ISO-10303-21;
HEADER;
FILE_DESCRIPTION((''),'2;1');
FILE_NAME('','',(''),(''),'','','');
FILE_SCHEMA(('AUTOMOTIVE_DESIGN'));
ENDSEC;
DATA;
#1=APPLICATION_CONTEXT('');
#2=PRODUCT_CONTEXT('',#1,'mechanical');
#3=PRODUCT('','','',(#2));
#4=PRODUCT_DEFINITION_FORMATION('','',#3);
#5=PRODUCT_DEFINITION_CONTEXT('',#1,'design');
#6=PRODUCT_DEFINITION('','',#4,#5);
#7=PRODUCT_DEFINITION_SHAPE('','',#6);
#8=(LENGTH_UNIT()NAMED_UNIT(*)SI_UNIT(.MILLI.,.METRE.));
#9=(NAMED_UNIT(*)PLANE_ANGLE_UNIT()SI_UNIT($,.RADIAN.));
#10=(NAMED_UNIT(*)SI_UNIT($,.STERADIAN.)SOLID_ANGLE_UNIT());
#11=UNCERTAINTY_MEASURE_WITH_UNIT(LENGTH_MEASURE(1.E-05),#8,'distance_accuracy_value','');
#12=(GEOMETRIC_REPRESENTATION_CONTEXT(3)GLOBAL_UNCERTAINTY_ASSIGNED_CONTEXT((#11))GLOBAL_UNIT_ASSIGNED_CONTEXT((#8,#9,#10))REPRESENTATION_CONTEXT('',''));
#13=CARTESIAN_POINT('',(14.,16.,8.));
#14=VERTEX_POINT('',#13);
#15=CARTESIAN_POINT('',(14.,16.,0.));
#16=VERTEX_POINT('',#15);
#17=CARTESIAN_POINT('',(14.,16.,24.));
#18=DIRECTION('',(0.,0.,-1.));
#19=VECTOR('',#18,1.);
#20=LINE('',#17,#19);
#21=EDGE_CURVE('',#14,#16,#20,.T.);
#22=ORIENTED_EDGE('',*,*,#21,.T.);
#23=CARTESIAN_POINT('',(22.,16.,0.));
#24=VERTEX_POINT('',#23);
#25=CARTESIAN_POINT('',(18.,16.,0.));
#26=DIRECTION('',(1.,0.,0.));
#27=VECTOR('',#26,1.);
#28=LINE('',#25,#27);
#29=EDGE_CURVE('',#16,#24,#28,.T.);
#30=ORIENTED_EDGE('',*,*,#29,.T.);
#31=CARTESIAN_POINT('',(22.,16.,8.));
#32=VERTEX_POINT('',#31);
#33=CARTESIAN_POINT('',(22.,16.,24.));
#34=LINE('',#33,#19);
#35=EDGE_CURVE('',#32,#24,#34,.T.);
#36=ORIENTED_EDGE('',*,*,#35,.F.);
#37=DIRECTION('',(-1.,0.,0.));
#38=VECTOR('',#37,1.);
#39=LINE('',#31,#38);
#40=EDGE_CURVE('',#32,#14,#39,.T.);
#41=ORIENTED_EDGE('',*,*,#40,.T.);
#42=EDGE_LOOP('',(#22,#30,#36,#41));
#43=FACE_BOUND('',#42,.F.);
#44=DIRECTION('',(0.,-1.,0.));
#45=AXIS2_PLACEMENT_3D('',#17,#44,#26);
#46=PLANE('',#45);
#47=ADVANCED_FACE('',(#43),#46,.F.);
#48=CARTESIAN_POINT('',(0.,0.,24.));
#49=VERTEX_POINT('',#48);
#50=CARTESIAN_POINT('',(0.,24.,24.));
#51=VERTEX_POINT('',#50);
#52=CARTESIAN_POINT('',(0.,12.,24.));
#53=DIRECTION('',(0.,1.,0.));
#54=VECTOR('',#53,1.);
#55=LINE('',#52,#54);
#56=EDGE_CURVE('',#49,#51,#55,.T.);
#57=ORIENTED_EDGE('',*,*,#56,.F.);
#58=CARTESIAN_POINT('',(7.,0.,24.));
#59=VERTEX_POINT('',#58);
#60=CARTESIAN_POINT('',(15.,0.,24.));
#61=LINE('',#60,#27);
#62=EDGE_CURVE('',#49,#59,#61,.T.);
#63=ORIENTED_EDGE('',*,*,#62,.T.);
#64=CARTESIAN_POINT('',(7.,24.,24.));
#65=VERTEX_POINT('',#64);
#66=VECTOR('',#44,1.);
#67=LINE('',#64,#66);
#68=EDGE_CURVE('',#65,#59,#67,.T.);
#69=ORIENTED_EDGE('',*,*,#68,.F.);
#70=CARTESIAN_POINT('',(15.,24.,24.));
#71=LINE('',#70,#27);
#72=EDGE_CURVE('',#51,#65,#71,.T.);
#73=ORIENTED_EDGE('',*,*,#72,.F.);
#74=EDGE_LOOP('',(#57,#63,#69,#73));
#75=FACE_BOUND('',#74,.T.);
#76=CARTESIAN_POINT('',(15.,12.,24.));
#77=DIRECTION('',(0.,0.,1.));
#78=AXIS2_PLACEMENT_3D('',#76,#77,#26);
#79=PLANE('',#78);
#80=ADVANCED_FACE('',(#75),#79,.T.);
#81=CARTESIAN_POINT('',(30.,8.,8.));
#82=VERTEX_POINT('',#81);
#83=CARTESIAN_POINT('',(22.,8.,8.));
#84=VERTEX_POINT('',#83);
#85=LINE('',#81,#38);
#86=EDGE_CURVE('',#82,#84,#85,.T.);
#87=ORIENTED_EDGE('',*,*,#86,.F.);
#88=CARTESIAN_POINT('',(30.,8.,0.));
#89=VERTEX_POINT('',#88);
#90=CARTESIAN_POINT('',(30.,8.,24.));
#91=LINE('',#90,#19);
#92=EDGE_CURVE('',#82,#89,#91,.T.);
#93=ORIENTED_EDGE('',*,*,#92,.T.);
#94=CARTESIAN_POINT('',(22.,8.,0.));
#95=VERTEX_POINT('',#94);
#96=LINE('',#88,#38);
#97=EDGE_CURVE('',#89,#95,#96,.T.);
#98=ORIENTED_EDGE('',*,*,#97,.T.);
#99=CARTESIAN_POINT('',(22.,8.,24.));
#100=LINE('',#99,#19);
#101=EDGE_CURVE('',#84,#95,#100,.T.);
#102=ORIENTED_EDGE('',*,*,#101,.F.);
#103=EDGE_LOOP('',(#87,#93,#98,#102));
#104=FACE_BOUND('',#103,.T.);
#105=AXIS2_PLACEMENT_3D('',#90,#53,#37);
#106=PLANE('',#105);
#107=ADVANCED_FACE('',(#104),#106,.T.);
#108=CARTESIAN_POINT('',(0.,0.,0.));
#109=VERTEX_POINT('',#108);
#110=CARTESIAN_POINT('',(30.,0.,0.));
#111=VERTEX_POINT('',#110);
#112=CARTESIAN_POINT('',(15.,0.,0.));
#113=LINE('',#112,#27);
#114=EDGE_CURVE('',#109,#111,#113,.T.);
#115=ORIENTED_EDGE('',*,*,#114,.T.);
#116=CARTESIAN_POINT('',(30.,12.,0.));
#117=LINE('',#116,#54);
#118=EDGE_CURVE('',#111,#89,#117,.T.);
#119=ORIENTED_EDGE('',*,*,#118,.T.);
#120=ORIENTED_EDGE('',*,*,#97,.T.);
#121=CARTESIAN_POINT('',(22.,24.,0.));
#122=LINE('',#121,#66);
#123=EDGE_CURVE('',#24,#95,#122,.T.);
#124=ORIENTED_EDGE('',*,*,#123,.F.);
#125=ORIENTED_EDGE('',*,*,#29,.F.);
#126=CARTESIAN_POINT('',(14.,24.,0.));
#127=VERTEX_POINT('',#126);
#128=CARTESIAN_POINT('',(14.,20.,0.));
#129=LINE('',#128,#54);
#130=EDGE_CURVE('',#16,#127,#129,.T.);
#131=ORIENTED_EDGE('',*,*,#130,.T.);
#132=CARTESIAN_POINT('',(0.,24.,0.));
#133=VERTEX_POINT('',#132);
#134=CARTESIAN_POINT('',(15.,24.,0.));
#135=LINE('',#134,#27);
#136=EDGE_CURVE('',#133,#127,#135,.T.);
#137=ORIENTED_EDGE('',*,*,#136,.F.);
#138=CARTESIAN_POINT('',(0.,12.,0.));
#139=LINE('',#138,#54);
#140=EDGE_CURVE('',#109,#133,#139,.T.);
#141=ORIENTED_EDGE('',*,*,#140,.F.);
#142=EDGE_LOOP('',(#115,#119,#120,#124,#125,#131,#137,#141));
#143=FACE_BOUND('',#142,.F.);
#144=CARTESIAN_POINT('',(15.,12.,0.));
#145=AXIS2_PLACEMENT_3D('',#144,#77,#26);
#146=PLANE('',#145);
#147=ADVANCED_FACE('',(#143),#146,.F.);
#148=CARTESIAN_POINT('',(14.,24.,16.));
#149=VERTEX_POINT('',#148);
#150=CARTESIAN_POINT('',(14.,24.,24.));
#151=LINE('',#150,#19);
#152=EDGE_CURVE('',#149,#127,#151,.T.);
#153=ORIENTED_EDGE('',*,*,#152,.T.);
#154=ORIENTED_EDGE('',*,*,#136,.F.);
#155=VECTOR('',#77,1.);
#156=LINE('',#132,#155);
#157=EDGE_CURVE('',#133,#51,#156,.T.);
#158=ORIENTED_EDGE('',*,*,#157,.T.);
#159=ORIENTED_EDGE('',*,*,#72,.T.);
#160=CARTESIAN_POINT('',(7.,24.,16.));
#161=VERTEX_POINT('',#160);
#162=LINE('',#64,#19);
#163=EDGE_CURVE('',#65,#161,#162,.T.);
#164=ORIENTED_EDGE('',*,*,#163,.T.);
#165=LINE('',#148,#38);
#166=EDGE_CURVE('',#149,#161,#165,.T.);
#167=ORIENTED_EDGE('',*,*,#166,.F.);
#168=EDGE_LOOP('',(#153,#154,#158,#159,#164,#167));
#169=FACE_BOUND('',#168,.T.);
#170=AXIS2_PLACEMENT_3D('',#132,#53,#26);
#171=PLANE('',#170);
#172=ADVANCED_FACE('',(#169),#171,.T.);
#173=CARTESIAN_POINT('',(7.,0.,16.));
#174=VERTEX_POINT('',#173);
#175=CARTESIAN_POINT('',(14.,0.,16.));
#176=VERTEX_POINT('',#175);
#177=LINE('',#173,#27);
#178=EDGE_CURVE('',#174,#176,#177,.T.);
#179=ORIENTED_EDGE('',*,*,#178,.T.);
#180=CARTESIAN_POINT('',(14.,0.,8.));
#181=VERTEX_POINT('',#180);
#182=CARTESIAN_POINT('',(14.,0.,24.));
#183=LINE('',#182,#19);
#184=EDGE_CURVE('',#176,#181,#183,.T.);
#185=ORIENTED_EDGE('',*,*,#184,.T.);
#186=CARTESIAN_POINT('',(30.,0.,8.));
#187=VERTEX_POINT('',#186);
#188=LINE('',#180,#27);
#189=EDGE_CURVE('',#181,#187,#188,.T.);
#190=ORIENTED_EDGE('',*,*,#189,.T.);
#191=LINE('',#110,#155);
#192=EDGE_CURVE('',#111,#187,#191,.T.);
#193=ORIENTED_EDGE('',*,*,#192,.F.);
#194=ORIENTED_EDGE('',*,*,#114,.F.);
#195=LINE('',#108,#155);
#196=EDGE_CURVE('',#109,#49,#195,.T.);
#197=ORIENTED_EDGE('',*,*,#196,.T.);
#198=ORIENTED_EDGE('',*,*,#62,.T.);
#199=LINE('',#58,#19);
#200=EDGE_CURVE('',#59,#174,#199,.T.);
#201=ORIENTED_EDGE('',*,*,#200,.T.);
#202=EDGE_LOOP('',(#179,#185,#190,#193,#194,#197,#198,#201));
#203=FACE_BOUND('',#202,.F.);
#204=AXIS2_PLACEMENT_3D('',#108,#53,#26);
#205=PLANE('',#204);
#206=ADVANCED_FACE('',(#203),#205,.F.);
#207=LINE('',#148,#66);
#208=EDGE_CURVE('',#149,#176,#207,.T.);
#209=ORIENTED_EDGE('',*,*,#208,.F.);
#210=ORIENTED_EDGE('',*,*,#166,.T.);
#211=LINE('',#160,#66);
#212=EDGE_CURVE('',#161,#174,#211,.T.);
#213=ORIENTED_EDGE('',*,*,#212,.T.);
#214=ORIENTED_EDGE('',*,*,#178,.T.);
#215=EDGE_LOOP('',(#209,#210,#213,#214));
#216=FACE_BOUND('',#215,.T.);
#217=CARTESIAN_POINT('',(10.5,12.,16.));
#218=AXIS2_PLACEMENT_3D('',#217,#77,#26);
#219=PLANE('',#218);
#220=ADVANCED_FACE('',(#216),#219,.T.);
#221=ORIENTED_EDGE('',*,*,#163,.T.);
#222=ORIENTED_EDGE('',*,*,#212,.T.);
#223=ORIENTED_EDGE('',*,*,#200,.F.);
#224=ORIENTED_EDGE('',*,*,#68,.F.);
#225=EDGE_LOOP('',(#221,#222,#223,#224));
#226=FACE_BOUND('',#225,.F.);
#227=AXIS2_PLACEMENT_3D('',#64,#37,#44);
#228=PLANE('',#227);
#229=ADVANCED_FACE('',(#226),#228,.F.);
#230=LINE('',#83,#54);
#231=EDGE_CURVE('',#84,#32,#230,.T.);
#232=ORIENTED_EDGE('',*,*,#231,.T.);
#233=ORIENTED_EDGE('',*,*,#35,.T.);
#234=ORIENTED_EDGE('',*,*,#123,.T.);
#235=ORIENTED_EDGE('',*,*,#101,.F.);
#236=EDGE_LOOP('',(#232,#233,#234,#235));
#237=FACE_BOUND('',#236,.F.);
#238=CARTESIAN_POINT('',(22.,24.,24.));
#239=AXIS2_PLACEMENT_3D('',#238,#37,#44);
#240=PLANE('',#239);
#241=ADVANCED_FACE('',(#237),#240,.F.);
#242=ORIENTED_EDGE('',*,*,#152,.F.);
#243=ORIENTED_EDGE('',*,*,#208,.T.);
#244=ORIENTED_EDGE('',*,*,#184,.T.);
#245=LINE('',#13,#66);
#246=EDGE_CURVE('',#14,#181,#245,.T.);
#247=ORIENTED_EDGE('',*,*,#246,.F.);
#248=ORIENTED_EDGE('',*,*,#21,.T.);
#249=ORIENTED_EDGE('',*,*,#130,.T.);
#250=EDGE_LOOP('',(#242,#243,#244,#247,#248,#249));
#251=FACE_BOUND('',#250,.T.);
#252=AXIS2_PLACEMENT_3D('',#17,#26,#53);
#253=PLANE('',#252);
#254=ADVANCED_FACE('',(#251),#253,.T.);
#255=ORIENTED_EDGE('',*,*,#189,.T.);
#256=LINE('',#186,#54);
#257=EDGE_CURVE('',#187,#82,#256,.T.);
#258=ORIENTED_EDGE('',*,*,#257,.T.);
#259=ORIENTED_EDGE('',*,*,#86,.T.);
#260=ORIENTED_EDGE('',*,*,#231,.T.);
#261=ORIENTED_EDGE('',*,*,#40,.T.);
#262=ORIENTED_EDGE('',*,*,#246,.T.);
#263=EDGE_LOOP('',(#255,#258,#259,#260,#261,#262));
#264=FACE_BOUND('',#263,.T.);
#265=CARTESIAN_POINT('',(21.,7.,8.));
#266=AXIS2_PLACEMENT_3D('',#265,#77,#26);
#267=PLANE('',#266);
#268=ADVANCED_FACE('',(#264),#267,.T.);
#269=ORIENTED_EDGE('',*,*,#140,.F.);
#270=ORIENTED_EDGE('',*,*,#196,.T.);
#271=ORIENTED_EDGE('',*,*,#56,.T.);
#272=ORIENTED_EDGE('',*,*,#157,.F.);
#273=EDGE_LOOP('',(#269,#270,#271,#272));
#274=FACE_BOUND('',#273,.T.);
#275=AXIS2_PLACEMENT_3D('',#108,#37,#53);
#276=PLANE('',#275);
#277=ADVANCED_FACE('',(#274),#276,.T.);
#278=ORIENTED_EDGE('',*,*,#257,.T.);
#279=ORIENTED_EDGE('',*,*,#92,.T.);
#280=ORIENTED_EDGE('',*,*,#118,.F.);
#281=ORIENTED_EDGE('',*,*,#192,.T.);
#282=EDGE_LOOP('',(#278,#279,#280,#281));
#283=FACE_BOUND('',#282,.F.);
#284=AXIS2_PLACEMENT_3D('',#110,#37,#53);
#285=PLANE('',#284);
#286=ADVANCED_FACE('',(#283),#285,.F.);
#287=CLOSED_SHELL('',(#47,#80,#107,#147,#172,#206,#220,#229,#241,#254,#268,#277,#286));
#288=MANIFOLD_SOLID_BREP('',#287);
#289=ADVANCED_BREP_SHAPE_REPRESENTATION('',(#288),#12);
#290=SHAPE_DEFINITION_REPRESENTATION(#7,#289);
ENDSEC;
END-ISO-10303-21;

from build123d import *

# Parameters (mm, degrees)
F0_W     = 30
F0_H     = 24
F1_DEPTH = 24
F3_DEPTH = 16
F5_DEPTH = 8
F6_DEPTH = 16
F7_W     = 8
F7_H     = 8
F8_DEPTH = 24
F9_DEPTH = 24


with BuildPart() as f1:
    # F0 (on Top) → F1 (new body)
    with BuildSketch(Plane.XY):
        with Locations((15, 12)):
            Rectangle(F0_W, F0_H)
    extrude(amount=F1_DEPTH)

    # F2 (on face) → F3 (cut)
    with BuildSketch(Plane.XY.offset(24)):
        Polygon((14, 0), (30, 0), (30, 8), (22, 8), (22, 16), (14, 16), align=None)
    extrude(amount=-F3_DEPTH, mode=Mode.SUBTRACT)

    # F4 (on face) → F5 (cut)
    with BuildSketch(Plane.XY.offset(24)):
        Polygon((14, 24), (7, 24), (7, 0), (14, 0), (14, 16), align=None)
    extrude(amount=-F5_DEPTH, mode=Mode.SUBTRACT)

    # F6 (add): a face of the model
    f6_faces = [f1.faces().sort_by_distance(p)[0] for p in [
        (23.3333333333, 17.3333333333, 24),
    ]]
    extrude(f6_faces, amount=-F6_DEPTH)

    # F7 (on face) → F8 (cut)
    with BuildSketch(Plane.XY.offset(24)):
        with Locations((18, 20)):
            Rectangle(F7_W, F7_H)
    extrude(amount=-F8_DEPTH, mode=Mode.SUBTRACT)

    # F9 (cut): a face of the model
    f9_faces = [f1.faces().sort_by_distance(p)[0] for p in [
        (26, 16, 24),
    ]]
    extrude(f9_faces, amount=-F9_DEPTH, mode=Mode.SUBTRACT)


solid = f1.part
